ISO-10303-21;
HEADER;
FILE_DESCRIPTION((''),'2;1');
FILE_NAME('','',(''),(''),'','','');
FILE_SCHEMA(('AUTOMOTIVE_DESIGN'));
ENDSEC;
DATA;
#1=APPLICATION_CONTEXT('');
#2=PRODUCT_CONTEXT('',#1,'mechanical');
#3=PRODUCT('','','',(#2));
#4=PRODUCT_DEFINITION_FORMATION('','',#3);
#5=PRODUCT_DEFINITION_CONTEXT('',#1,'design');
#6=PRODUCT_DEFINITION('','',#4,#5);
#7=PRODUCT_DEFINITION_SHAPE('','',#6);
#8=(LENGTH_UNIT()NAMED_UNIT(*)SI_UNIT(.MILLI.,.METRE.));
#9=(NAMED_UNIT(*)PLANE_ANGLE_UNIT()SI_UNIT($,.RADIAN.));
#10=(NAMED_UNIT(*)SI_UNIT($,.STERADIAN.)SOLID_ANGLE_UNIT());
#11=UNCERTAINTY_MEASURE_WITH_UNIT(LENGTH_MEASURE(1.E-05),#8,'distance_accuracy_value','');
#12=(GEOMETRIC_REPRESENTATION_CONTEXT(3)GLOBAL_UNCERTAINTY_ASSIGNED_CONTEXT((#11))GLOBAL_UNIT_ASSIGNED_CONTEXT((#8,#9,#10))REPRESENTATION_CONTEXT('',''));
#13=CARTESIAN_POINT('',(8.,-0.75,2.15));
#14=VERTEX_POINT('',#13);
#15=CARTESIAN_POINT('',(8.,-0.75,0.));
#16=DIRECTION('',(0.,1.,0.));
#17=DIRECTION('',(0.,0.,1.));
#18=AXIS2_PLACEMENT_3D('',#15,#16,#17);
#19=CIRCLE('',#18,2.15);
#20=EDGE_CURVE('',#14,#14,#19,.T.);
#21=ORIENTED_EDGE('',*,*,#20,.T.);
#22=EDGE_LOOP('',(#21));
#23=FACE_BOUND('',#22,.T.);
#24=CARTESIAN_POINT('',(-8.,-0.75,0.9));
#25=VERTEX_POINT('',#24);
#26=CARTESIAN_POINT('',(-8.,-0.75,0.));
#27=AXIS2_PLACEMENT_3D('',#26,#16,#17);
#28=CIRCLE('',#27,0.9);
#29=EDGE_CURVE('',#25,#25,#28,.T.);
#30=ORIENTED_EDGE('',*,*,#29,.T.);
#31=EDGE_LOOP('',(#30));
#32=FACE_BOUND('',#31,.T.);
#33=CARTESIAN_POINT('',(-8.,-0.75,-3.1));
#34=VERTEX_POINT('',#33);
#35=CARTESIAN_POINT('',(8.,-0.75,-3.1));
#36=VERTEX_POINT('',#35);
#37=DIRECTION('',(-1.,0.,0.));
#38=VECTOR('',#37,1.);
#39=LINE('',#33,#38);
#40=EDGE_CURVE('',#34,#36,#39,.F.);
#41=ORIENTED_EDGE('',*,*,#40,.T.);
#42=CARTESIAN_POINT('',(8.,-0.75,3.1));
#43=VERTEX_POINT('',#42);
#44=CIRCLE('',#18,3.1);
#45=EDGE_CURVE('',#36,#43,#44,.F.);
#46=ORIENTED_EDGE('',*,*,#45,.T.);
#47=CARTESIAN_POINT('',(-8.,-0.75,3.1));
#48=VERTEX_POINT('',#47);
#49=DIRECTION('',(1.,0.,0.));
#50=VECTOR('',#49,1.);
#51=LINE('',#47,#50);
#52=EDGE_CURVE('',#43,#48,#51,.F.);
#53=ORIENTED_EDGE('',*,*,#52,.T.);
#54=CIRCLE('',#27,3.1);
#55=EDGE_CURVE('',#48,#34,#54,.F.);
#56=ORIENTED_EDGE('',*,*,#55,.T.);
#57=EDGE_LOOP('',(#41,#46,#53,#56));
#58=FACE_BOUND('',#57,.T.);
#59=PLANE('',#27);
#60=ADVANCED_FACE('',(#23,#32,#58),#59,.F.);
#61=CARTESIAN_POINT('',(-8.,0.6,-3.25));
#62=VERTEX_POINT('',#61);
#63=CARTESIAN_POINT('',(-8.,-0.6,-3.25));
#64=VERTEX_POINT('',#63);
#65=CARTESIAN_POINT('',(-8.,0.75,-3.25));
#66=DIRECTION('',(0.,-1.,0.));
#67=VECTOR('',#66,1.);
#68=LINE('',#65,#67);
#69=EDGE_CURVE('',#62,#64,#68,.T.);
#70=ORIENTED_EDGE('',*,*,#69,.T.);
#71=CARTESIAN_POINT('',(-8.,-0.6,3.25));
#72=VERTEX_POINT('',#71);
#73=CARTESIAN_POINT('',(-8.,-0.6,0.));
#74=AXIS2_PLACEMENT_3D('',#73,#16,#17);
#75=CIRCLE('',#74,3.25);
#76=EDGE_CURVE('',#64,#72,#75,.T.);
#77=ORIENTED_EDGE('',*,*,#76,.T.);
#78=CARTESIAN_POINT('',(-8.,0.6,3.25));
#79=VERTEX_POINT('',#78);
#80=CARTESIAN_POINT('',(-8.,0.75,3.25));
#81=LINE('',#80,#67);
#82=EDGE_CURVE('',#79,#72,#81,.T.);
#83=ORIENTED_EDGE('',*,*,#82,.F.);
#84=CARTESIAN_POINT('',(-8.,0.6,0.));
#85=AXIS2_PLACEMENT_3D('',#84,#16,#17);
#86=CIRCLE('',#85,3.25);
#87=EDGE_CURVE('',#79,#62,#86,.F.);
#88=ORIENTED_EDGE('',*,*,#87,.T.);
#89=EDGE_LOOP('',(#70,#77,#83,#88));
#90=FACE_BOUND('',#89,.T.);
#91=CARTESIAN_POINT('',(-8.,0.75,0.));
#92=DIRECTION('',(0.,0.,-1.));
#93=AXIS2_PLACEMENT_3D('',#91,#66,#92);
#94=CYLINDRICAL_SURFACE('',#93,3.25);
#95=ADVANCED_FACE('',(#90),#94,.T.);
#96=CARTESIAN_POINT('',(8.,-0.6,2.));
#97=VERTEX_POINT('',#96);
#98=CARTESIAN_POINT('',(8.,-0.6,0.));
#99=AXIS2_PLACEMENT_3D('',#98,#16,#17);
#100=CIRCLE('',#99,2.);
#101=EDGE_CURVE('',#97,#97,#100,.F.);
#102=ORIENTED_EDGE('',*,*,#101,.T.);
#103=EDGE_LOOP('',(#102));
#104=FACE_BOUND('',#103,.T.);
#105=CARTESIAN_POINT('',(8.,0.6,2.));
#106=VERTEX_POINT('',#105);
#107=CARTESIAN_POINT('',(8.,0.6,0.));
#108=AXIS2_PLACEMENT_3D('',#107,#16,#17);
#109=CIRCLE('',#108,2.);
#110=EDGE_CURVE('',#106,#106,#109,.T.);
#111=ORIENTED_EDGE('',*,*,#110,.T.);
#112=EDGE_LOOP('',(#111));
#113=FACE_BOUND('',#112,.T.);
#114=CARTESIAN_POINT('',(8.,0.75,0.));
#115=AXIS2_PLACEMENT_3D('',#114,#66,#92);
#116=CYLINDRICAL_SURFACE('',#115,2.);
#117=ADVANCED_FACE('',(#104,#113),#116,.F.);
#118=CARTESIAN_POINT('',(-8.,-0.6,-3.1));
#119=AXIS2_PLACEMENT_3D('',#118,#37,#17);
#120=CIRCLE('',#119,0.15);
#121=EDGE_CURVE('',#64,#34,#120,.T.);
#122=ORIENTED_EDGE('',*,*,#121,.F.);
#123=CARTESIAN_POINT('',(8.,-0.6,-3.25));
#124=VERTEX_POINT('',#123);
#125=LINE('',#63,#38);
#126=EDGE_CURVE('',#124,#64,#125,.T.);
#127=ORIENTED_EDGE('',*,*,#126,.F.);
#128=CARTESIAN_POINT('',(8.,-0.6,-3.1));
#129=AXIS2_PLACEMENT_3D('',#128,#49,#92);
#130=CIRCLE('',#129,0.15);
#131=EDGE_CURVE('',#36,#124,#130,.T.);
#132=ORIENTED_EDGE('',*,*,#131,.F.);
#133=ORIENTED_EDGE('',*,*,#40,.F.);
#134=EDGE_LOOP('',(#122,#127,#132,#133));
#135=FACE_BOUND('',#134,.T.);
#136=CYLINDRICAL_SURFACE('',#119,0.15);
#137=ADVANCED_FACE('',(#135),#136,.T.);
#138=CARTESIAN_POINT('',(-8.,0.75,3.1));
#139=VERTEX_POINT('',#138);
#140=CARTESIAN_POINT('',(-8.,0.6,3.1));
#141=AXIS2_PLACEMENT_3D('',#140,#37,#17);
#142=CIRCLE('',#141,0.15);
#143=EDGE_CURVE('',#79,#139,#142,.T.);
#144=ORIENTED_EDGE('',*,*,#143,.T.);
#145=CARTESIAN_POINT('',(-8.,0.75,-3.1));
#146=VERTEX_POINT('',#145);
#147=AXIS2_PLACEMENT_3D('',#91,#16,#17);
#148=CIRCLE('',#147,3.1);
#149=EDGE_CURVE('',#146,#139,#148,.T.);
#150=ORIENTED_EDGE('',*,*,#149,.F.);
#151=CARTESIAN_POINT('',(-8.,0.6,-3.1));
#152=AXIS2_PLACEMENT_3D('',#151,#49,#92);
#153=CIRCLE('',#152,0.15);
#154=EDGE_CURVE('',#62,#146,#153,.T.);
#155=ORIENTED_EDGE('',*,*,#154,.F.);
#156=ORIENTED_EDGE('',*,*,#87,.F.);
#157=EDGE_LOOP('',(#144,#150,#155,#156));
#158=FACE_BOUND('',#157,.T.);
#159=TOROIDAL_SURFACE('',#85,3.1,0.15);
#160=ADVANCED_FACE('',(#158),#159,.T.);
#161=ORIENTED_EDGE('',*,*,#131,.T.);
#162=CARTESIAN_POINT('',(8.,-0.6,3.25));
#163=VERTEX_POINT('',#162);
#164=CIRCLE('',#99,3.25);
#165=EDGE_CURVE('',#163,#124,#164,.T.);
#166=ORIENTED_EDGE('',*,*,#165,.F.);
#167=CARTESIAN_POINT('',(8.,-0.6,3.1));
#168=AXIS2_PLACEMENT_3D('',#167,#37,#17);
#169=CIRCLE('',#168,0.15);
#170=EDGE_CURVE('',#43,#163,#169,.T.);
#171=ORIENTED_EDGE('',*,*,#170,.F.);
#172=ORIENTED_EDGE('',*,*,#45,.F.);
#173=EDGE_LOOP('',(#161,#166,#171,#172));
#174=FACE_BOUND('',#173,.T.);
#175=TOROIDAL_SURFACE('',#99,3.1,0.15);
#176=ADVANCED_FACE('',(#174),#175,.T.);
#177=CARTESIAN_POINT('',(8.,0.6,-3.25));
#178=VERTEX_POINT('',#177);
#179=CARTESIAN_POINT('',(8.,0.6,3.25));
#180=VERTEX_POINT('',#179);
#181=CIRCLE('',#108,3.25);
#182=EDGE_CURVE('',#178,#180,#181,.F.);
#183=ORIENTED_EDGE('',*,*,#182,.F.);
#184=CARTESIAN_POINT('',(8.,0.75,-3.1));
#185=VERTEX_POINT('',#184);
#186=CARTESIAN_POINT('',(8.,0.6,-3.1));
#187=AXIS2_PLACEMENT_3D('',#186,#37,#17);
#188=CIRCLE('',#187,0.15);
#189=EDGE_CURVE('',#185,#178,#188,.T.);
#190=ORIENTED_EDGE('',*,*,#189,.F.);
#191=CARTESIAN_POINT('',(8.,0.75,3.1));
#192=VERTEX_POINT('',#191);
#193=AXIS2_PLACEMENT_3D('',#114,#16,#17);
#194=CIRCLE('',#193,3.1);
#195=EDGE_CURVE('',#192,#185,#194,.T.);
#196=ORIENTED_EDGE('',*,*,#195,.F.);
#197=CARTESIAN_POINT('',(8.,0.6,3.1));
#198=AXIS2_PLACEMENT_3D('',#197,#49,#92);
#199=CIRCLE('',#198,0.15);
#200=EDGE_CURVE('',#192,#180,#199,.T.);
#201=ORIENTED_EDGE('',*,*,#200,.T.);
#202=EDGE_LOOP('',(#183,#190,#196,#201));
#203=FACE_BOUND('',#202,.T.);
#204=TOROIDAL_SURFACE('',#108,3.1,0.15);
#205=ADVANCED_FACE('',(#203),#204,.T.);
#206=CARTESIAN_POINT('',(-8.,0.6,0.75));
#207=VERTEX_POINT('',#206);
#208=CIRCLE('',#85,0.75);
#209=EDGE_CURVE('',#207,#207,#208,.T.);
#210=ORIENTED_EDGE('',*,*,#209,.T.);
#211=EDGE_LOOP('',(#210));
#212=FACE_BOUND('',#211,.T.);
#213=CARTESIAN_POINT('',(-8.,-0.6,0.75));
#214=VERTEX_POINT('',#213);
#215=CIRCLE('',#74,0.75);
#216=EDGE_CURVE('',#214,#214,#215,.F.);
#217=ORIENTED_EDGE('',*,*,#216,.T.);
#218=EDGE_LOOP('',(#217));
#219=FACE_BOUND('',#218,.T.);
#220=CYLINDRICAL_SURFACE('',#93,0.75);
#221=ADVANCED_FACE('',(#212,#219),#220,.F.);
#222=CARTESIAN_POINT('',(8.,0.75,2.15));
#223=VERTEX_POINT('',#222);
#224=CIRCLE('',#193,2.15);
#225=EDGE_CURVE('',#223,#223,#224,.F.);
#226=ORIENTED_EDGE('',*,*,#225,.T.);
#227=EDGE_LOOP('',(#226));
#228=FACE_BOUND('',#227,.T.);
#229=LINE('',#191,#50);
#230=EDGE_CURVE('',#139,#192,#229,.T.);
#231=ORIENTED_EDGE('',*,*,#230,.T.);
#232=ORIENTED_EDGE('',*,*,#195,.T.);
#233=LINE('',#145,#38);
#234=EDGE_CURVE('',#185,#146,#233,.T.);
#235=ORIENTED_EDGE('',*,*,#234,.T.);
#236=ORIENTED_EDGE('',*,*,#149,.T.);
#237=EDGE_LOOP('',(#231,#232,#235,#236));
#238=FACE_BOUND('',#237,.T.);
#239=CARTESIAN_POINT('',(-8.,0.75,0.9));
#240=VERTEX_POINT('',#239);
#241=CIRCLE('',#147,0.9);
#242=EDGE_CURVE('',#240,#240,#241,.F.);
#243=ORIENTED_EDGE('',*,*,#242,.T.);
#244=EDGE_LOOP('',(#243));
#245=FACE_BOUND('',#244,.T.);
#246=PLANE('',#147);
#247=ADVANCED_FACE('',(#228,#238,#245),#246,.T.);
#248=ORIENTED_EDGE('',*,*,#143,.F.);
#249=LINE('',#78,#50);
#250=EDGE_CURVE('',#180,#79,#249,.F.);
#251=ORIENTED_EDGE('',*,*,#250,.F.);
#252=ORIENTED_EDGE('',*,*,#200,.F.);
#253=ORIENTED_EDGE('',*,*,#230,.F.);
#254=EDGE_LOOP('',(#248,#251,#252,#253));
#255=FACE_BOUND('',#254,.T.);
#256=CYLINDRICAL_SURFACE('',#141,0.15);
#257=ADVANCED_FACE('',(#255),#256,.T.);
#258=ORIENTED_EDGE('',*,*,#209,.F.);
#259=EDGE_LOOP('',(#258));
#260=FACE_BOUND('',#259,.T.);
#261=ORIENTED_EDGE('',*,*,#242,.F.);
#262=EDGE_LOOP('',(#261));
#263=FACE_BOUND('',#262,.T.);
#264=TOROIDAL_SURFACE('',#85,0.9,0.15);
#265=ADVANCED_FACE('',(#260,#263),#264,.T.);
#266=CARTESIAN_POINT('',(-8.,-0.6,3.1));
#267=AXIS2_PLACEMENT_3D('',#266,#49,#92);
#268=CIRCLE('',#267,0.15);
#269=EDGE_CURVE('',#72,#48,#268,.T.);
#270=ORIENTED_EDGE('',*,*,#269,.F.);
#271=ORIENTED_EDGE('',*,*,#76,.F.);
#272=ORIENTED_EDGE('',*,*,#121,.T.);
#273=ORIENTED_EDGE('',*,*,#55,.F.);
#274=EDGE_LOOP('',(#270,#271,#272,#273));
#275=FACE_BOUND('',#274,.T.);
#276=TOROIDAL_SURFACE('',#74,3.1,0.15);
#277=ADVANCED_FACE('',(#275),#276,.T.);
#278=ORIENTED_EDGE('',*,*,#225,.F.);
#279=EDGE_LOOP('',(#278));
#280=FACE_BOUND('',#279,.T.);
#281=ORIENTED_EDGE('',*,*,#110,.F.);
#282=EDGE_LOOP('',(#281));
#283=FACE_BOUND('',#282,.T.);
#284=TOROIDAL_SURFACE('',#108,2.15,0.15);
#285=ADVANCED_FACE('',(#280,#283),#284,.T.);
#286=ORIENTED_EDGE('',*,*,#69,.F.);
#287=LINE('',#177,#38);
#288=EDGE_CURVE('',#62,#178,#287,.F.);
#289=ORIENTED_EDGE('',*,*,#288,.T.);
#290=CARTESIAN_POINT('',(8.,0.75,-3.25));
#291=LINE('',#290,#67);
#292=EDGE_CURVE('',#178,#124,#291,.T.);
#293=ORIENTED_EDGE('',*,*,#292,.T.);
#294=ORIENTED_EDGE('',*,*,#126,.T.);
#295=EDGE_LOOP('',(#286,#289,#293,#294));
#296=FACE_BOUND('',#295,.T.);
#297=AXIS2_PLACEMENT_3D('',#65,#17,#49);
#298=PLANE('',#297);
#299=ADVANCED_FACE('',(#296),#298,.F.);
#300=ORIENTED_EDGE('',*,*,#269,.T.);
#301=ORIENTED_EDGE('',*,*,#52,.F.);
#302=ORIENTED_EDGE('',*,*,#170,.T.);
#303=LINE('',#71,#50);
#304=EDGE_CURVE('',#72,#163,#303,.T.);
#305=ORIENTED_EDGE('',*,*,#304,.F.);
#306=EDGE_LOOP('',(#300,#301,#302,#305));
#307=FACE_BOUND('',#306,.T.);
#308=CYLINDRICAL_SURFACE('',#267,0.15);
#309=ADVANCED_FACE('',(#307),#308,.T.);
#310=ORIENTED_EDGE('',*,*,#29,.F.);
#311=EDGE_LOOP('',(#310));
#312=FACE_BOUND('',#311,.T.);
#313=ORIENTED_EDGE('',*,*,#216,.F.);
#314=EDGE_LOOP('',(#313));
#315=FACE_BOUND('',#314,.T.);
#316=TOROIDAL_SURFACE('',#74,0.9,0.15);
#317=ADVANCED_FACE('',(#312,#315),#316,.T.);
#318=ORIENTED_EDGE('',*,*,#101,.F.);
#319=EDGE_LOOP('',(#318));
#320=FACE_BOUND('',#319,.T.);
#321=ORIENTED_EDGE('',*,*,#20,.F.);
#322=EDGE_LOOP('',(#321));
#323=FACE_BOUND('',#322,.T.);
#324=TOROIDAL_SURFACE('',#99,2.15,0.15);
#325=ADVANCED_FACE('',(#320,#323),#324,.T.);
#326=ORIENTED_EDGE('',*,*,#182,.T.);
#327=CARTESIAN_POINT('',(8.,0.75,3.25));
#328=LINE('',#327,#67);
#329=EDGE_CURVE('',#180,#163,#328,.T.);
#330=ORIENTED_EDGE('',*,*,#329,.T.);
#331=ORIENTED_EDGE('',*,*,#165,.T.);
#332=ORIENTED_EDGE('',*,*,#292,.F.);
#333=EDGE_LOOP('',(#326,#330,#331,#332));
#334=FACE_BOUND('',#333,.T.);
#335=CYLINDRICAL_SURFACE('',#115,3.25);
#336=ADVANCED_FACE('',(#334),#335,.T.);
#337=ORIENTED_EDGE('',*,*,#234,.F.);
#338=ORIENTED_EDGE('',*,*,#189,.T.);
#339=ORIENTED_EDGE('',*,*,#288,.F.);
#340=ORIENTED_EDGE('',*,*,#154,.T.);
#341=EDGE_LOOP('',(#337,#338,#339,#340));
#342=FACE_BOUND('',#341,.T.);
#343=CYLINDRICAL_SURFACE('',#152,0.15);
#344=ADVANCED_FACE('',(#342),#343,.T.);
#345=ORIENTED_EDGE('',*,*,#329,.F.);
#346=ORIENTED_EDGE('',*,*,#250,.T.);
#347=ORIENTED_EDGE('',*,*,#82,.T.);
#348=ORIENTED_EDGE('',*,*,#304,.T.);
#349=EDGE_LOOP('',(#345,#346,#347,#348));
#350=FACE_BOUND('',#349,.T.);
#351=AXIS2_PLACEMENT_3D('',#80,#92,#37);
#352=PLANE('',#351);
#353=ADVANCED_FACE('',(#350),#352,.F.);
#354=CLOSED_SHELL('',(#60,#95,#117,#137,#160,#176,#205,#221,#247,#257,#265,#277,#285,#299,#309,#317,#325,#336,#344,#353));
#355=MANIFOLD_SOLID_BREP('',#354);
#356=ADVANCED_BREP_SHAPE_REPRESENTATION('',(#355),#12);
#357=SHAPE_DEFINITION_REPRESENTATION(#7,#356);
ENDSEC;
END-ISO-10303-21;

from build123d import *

# Parameters (mm, degrees)
SKETCH1_R           = 0.75
SKETCH1_R_2         = 2
BOSS_EXTRUDE1_DEPTH = 0.75
FILLET1_R           = 0.15


with BuildPart() as part:
    # Sketch1 → Boss-Extrude1 (new body, symmetric)
    with BuildSketch(Plane(origin=(0, 0, 0), x_dir=(1, 0, 0), z_dir=(0, 1, 0))):
        with BuildLine():
            Line((-8, 3.25), (8, 3.25))
            ThreePointArc((8, 3.25), (11.25, 0), (8, -3.25))
            Line((8, -3.25), (-8, -3.25))
            ThreePointArc((-8, -3.25), (-11.25, 0), (-8, 3.25))
        make_face()
        with Locations((-8, 0)):
            Circle(SKETCH1_R, mode=Mode.SUBTRACT)
        with Locations((8, 0)):
            Circle(SKETCH1_R_2, mode=Mode.SUBTRACT)
    extrude(amount=BOSS_EXTRUDE1_DEPTH, both=True)

    # Fillet1
    fillet1_edges = [part.edges().sort_by_distance(p)[0] for p in [
        (11.25, 0.75, 0),
        (-8.75, -0.75, 0),
        (-8.75, 0.75, 0),
        (0, 0.75, -3.25),
        (6, -0.75, 0),
        (6, 0.75, 0),
        (-11.25, 0.75, 0),
        (0, -0.75, -3.25),
        (11.25, -0.75, 0),
        (0, -0.75, 3.25),
        (-11.25, -0.75, 0),
        (0, 0.75, 3.25),
    ]]
    fillet(fillet1_edges, radius=FILLET1_R)


solid = part.part
